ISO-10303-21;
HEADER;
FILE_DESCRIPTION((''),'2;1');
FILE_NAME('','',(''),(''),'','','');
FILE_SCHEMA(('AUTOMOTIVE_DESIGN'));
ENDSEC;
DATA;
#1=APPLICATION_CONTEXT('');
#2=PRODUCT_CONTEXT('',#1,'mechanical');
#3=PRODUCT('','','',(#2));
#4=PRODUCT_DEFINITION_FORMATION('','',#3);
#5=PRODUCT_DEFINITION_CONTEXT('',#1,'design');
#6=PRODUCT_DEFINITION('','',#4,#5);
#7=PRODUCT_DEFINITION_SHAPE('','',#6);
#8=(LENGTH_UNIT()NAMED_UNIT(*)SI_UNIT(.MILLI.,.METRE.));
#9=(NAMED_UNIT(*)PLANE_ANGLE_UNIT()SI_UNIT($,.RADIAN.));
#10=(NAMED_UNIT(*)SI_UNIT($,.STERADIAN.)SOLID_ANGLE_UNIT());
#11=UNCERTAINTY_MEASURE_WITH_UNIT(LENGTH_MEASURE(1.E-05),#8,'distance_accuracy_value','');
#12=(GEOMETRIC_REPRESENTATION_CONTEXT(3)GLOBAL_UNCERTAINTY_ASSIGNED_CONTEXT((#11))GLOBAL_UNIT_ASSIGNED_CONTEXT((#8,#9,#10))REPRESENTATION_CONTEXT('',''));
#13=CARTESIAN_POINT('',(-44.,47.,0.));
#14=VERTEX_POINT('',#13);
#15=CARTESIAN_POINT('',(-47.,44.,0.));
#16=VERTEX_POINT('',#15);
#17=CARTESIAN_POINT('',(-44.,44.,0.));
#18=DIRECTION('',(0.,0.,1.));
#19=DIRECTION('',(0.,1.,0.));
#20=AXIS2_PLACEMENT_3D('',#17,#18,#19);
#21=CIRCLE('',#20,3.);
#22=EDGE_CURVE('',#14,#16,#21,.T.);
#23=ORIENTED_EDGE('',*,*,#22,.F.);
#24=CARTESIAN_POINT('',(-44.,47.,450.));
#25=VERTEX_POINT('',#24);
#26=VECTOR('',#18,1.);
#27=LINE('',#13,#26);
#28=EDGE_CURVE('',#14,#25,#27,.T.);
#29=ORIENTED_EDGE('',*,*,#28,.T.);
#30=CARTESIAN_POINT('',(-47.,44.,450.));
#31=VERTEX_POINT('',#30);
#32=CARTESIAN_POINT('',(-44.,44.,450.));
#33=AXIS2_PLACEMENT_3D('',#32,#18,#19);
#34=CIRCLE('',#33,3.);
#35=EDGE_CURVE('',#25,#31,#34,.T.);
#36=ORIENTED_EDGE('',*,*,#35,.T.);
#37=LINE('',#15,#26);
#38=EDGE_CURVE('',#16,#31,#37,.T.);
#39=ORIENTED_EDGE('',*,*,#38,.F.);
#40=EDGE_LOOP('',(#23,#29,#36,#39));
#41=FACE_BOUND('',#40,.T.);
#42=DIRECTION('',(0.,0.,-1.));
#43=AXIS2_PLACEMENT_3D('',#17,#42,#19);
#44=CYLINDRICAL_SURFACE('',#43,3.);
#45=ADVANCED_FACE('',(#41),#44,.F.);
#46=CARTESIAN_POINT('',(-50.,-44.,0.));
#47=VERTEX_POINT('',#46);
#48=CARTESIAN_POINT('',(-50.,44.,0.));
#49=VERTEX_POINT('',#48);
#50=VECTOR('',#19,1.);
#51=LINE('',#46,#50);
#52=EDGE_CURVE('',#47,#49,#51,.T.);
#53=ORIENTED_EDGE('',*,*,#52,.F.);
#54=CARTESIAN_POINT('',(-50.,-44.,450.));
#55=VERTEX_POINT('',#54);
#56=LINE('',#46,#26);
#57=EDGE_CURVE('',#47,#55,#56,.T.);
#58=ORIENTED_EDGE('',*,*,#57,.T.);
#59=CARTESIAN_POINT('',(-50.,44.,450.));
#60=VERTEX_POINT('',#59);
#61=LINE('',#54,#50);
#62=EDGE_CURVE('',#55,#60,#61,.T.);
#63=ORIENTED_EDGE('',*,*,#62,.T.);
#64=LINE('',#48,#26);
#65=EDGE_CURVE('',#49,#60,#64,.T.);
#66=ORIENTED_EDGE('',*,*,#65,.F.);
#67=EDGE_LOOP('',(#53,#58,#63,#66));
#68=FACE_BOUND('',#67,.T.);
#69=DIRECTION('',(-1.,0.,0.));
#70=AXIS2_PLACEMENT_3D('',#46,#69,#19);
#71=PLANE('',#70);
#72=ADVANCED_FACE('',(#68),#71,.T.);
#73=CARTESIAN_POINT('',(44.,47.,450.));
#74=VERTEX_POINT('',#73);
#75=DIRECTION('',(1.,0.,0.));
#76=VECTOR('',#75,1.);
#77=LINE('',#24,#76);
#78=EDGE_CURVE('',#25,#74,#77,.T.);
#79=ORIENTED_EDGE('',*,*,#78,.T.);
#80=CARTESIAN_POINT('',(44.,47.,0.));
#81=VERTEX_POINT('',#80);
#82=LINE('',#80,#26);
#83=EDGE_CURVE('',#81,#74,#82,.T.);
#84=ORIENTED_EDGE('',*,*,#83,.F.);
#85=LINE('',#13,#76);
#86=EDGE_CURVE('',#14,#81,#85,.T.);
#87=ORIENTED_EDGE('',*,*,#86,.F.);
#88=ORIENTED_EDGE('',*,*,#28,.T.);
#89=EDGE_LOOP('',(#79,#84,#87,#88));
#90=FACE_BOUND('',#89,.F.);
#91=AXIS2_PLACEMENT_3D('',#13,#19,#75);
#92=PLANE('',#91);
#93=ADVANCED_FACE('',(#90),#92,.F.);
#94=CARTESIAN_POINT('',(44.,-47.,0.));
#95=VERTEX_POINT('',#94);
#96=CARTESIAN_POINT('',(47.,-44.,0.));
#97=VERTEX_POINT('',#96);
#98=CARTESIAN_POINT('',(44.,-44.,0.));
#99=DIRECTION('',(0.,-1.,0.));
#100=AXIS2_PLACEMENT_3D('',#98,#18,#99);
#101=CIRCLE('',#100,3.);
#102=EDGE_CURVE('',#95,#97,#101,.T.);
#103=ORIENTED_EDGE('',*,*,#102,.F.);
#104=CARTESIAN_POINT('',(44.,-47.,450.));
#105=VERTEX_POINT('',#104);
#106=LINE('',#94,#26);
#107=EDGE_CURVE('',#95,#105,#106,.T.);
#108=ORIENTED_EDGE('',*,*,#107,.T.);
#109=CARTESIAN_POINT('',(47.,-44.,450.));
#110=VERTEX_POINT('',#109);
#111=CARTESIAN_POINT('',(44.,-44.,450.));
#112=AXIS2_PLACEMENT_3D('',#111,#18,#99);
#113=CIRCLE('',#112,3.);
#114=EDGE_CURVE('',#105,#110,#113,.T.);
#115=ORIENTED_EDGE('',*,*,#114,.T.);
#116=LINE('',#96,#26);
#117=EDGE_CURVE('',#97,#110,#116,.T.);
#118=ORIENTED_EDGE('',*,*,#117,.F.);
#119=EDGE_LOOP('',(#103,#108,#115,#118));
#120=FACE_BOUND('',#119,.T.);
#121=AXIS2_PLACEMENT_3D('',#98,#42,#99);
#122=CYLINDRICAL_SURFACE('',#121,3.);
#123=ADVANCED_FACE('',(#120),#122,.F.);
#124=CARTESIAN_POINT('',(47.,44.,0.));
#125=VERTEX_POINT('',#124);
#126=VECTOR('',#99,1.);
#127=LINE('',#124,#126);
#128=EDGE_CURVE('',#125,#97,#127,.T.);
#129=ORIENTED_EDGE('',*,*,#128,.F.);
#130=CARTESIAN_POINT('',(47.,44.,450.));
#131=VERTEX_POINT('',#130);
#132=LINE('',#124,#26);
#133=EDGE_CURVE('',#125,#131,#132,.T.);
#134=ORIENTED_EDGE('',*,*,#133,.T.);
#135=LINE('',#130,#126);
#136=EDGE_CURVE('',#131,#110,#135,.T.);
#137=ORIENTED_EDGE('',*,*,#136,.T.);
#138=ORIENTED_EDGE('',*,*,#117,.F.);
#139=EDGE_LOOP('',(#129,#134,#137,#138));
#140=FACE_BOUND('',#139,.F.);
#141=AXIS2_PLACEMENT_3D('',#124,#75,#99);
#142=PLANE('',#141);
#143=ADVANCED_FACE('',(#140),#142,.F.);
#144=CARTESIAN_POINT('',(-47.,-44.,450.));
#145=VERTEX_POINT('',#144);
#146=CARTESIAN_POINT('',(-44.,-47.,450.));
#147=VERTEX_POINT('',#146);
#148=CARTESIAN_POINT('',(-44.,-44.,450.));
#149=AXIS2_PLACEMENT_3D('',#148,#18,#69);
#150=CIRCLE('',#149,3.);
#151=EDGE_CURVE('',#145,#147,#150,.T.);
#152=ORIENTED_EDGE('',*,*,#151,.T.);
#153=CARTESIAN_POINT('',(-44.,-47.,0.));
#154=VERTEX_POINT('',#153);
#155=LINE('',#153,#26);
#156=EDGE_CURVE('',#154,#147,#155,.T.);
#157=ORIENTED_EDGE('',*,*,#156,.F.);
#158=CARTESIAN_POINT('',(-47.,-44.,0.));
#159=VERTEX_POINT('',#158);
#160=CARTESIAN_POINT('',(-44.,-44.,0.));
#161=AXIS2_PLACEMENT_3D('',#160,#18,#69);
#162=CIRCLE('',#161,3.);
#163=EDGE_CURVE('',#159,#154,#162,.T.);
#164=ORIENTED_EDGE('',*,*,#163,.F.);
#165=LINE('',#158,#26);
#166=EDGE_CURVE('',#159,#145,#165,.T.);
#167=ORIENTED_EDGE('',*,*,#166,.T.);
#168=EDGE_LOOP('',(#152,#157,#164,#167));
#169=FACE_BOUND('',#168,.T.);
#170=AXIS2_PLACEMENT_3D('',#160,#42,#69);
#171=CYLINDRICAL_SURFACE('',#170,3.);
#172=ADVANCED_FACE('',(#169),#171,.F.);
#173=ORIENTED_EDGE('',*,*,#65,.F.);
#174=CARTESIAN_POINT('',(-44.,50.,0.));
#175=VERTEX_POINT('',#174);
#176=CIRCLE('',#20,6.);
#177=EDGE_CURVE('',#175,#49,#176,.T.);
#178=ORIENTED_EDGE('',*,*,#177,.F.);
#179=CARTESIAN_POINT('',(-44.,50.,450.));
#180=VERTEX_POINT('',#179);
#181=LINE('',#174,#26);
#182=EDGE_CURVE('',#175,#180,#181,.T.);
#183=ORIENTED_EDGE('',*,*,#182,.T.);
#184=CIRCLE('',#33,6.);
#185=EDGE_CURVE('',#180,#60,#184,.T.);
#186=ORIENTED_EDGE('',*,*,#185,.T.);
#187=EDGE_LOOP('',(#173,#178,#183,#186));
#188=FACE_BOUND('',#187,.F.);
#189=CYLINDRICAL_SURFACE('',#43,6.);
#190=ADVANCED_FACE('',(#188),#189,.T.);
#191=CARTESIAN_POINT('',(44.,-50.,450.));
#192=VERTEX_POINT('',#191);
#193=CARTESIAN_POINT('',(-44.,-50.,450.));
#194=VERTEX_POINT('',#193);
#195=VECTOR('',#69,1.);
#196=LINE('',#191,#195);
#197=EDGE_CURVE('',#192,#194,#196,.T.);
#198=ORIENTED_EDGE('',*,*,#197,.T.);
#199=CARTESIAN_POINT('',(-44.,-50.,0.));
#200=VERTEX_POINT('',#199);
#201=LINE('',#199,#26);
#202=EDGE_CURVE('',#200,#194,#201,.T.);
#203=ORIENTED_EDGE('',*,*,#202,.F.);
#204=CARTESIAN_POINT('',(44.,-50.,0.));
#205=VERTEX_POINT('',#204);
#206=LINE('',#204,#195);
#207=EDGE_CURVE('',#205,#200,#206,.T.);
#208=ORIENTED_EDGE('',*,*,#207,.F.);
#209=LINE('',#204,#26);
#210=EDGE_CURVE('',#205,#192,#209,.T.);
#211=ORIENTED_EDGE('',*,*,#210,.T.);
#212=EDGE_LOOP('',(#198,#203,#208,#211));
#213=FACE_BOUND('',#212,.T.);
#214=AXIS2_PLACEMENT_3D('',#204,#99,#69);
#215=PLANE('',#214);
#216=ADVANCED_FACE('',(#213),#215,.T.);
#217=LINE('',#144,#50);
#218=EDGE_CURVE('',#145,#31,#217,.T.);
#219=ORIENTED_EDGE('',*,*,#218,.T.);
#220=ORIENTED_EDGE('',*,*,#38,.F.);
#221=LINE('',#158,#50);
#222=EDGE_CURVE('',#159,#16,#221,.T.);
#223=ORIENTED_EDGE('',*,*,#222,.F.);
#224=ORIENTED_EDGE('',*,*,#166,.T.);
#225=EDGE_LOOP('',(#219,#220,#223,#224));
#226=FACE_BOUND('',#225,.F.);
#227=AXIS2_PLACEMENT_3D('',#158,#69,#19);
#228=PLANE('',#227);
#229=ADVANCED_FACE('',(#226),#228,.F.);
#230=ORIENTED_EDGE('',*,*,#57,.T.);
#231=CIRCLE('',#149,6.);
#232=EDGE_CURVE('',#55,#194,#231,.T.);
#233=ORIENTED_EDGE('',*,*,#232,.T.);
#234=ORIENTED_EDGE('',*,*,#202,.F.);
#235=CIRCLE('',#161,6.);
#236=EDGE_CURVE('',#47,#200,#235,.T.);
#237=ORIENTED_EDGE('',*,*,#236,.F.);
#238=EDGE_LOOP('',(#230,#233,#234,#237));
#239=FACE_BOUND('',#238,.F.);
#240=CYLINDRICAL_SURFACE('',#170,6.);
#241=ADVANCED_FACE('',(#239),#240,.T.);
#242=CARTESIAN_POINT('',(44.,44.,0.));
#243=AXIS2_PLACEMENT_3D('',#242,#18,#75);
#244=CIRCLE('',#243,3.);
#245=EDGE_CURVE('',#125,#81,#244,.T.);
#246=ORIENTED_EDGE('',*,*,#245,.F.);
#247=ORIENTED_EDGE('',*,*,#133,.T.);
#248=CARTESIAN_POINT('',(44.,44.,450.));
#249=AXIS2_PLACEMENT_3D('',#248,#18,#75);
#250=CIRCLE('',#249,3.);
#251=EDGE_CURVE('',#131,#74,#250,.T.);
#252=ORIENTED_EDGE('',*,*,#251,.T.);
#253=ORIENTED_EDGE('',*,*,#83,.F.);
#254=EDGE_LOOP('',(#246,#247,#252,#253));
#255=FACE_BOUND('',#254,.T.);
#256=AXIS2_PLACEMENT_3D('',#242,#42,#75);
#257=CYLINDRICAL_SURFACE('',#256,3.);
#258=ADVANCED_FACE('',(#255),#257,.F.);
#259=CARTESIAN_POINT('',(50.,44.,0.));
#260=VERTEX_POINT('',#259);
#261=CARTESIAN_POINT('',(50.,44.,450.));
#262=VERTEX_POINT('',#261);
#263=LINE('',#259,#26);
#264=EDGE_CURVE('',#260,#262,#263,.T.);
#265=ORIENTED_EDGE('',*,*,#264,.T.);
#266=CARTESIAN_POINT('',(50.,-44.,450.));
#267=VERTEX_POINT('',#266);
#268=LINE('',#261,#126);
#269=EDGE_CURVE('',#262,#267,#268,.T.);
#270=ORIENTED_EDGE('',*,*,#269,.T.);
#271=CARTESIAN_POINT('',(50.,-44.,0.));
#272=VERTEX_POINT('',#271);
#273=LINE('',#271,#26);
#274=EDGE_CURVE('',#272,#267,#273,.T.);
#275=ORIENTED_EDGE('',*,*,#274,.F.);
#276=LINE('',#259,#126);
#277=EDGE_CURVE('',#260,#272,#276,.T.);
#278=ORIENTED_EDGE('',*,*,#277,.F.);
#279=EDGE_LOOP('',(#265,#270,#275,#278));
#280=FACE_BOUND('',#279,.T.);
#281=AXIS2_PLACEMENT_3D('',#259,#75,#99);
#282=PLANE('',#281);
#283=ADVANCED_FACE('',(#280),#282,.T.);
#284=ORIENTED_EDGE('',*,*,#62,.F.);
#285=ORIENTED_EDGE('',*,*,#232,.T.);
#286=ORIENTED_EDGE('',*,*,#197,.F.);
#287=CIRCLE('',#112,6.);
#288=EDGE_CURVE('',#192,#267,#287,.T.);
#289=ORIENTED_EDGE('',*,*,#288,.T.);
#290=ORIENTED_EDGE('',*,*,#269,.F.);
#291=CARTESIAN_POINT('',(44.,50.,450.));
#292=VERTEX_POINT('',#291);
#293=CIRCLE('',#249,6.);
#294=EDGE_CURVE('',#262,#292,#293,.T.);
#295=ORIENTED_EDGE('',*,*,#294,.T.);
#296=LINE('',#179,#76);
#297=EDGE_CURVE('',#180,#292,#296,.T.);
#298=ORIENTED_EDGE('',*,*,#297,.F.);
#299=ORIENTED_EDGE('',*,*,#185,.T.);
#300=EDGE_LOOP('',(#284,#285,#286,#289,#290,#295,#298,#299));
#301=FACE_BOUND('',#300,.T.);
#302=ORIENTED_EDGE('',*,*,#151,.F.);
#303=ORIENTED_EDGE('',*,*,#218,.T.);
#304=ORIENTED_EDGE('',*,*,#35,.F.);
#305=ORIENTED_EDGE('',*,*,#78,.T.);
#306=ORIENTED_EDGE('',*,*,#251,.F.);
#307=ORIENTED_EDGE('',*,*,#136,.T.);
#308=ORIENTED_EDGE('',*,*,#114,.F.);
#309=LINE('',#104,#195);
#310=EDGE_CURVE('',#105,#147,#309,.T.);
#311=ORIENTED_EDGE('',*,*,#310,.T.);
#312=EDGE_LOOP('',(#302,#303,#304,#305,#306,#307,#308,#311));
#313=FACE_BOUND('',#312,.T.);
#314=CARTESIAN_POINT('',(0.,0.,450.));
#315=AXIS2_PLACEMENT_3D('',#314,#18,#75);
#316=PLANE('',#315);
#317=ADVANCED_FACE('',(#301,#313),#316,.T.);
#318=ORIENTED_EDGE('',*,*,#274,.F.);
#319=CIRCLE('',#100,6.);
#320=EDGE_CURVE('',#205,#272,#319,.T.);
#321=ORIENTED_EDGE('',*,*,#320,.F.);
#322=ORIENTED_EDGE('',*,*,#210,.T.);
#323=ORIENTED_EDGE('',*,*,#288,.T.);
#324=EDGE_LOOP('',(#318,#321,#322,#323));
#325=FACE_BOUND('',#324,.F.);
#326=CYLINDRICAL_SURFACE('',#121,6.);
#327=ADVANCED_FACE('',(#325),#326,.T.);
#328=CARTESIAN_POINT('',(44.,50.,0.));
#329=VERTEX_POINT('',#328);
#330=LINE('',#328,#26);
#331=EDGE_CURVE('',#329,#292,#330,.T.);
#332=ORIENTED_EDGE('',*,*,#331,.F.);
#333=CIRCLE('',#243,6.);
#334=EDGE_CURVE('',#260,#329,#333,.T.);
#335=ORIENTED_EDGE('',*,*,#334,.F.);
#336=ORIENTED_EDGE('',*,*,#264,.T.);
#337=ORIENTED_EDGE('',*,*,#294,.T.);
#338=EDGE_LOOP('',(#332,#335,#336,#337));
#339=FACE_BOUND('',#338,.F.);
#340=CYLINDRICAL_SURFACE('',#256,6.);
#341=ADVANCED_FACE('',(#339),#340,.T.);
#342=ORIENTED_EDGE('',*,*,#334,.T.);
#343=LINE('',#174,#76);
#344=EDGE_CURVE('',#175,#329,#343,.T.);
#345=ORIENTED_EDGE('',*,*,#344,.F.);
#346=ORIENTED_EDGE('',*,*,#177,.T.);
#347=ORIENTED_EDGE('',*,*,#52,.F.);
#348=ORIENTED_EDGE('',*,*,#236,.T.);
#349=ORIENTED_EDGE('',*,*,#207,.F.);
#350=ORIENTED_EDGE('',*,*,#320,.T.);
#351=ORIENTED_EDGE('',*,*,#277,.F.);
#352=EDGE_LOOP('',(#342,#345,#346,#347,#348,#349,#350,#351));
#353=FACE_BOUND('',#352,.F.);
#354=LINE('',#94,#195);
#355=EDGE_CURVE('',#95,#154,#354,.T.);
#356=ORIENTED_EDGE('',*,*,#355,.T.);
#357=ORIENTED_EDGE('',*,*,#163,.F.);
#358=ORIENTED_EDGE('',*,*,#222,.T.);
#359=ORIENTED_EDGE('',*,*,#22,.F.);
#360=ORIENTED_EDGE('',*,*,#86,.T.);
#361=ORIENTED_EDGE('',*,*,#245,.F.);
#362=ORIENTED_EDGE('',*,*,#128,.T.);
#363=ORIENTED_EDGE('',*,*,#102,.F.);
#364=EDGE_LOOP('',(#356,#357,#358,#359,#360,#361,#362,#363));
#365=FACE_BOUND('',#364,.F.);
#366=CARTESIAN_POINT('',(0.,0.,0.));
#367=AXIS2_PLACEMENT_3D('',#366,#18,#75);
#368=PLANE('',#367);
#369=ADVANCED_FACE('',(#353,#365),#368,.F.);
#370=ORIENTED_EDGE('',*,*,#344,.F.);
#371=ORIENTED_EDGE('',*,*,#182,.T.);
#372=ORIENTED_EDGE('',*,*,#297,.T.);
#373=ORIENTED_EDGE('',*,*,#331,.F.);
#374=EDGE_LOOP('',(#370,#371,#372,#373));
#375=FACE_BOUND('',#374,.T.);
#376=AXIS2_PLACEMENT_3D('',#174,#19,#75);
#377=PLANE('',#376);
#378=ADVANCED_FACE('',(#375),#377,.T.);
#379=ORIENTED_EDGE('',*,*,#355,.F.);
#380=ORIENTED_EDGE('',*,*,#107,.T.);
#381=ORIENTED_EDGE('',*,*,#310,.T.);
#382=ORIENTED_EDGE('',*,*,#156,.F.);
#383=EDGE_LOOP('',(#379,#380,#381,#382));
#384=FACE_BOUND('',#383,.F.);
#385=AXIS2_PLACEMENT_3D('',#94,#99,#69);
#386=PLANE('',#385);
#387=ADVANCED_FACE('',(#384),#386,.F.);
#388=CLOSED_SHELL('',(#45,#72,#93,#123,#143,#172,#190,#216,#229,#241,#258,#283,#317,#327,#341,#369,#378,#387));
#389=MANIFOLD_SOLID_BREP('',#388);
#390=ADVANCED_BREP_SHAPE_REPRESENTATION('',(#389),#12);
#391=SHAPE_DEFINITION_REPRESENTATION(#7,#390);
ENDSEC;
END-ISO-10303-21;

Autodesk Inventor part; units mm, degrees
ref_plane "YZ Plane" through (0, 0, 0) normal (1, 0, 0) x (0, 1, 0)
ref_plane "Start Plane" through (0, 0, 0) normal (0, 0, 1) x (1, 0, 0)
ref_plane "End Plane" through (0, 0, 450) normal (0, 0, 1) x (1, 0, 0)
sketch "Sketch" plane through (0, 0, 0) normal (0, 0, 1) x (1, 0, 0)
  line L0 (-50, -44) -> (-50, 44)
  line L1 (-44, 50) -> (44, 50)
  line L2 (50, 44) -> (50, -44)
  line L3 (44, -50) -> (-44, -50)
  arc A0 (-50, -44) -> (-44, -50) centre (-44, -44) ccw
  arc A1 (50, 44) -> (44, 50) centre (44, 44) ccw
  arc A2 (-44, 50) -> (-50, 44) centre (-44, 44) ccw
  arc A3 (44, -50) -> (50, -44) centre (44, -44) ccw
  arc A4 (-44, 47) -> (-47, 44) centre (-44, 44) ccw
  line L4 (-44, 47) -> (44, 47)
  arc A5 (47, 44) -> (44, 47) centre (44, 44) ccw
  line L5 (47, 44) -> (47, -44)
  arc A6 (44, -47) -> (47, -44) centre (44, -44) ccw
  line L6 (44, -47) -> (-44, -47)
  arc A7 (-47, -44) -> (-44, -47) centre (-44, -44) ccw
  line L7 (-47, -44) -> (-47, 44)
  line L8 (0, 71.7397) -> (0, -71.7397) construction
  line L9 (-71.7397, 0) -> (71.7397, 0) construction
  dimension "d7" = 6
  dimension "d9" = 100
  dimension "d11" = 100
  dimension "d12" = 3
  dimension "d15" = 50
  dimension "d16" = 50
extrude "Body" add sketch "Sketch" along normal up to surface (450 mm away) from surface at 0
sketch "Sketch3" plane through (0, 0, 0) normal (0, 0, 1) x (1, 0, 0)
  line L0 (0, 0) -> (10, 0)
ref_plane "Work Plane3" through (0, 0, 0) normal (0, -1, 0) x (1, 0, 0)
sketch "Sketch4" plane through (0, 0, 0) normal (0, -1, 0) x (1, 0, 0)
  line L0 (-2, 0) -> (12, 0) projected
  line L1 (-2, 450) -> (12, 450) projected
  dimension "d18" = 450
equation "\"d7\" = G_IR"
equation "\"d9\" = G_W"
equation "\"d11\" = G_H"
equation "\"d12\" = G_T"
equation "\"d15\" = 0.5 * d9"
equation "\"d16\" = 0.5 * d11"
equation "\"d3\" = G_L"
equation "\"G_W\" = 100"
equation "\"G_H\" = 100"
equation "\"G_T\" = 3"
equation "\"G_IR\" = 6"
equation "\"G_L\" = d18"
equation "\"G_OFFSET_START\" = 0"
equation "\"G_OFFSET_END\" = 0"
properties part number "ISO 10799-2 - 100x100x3 - 450" material "Steel, Mild"
